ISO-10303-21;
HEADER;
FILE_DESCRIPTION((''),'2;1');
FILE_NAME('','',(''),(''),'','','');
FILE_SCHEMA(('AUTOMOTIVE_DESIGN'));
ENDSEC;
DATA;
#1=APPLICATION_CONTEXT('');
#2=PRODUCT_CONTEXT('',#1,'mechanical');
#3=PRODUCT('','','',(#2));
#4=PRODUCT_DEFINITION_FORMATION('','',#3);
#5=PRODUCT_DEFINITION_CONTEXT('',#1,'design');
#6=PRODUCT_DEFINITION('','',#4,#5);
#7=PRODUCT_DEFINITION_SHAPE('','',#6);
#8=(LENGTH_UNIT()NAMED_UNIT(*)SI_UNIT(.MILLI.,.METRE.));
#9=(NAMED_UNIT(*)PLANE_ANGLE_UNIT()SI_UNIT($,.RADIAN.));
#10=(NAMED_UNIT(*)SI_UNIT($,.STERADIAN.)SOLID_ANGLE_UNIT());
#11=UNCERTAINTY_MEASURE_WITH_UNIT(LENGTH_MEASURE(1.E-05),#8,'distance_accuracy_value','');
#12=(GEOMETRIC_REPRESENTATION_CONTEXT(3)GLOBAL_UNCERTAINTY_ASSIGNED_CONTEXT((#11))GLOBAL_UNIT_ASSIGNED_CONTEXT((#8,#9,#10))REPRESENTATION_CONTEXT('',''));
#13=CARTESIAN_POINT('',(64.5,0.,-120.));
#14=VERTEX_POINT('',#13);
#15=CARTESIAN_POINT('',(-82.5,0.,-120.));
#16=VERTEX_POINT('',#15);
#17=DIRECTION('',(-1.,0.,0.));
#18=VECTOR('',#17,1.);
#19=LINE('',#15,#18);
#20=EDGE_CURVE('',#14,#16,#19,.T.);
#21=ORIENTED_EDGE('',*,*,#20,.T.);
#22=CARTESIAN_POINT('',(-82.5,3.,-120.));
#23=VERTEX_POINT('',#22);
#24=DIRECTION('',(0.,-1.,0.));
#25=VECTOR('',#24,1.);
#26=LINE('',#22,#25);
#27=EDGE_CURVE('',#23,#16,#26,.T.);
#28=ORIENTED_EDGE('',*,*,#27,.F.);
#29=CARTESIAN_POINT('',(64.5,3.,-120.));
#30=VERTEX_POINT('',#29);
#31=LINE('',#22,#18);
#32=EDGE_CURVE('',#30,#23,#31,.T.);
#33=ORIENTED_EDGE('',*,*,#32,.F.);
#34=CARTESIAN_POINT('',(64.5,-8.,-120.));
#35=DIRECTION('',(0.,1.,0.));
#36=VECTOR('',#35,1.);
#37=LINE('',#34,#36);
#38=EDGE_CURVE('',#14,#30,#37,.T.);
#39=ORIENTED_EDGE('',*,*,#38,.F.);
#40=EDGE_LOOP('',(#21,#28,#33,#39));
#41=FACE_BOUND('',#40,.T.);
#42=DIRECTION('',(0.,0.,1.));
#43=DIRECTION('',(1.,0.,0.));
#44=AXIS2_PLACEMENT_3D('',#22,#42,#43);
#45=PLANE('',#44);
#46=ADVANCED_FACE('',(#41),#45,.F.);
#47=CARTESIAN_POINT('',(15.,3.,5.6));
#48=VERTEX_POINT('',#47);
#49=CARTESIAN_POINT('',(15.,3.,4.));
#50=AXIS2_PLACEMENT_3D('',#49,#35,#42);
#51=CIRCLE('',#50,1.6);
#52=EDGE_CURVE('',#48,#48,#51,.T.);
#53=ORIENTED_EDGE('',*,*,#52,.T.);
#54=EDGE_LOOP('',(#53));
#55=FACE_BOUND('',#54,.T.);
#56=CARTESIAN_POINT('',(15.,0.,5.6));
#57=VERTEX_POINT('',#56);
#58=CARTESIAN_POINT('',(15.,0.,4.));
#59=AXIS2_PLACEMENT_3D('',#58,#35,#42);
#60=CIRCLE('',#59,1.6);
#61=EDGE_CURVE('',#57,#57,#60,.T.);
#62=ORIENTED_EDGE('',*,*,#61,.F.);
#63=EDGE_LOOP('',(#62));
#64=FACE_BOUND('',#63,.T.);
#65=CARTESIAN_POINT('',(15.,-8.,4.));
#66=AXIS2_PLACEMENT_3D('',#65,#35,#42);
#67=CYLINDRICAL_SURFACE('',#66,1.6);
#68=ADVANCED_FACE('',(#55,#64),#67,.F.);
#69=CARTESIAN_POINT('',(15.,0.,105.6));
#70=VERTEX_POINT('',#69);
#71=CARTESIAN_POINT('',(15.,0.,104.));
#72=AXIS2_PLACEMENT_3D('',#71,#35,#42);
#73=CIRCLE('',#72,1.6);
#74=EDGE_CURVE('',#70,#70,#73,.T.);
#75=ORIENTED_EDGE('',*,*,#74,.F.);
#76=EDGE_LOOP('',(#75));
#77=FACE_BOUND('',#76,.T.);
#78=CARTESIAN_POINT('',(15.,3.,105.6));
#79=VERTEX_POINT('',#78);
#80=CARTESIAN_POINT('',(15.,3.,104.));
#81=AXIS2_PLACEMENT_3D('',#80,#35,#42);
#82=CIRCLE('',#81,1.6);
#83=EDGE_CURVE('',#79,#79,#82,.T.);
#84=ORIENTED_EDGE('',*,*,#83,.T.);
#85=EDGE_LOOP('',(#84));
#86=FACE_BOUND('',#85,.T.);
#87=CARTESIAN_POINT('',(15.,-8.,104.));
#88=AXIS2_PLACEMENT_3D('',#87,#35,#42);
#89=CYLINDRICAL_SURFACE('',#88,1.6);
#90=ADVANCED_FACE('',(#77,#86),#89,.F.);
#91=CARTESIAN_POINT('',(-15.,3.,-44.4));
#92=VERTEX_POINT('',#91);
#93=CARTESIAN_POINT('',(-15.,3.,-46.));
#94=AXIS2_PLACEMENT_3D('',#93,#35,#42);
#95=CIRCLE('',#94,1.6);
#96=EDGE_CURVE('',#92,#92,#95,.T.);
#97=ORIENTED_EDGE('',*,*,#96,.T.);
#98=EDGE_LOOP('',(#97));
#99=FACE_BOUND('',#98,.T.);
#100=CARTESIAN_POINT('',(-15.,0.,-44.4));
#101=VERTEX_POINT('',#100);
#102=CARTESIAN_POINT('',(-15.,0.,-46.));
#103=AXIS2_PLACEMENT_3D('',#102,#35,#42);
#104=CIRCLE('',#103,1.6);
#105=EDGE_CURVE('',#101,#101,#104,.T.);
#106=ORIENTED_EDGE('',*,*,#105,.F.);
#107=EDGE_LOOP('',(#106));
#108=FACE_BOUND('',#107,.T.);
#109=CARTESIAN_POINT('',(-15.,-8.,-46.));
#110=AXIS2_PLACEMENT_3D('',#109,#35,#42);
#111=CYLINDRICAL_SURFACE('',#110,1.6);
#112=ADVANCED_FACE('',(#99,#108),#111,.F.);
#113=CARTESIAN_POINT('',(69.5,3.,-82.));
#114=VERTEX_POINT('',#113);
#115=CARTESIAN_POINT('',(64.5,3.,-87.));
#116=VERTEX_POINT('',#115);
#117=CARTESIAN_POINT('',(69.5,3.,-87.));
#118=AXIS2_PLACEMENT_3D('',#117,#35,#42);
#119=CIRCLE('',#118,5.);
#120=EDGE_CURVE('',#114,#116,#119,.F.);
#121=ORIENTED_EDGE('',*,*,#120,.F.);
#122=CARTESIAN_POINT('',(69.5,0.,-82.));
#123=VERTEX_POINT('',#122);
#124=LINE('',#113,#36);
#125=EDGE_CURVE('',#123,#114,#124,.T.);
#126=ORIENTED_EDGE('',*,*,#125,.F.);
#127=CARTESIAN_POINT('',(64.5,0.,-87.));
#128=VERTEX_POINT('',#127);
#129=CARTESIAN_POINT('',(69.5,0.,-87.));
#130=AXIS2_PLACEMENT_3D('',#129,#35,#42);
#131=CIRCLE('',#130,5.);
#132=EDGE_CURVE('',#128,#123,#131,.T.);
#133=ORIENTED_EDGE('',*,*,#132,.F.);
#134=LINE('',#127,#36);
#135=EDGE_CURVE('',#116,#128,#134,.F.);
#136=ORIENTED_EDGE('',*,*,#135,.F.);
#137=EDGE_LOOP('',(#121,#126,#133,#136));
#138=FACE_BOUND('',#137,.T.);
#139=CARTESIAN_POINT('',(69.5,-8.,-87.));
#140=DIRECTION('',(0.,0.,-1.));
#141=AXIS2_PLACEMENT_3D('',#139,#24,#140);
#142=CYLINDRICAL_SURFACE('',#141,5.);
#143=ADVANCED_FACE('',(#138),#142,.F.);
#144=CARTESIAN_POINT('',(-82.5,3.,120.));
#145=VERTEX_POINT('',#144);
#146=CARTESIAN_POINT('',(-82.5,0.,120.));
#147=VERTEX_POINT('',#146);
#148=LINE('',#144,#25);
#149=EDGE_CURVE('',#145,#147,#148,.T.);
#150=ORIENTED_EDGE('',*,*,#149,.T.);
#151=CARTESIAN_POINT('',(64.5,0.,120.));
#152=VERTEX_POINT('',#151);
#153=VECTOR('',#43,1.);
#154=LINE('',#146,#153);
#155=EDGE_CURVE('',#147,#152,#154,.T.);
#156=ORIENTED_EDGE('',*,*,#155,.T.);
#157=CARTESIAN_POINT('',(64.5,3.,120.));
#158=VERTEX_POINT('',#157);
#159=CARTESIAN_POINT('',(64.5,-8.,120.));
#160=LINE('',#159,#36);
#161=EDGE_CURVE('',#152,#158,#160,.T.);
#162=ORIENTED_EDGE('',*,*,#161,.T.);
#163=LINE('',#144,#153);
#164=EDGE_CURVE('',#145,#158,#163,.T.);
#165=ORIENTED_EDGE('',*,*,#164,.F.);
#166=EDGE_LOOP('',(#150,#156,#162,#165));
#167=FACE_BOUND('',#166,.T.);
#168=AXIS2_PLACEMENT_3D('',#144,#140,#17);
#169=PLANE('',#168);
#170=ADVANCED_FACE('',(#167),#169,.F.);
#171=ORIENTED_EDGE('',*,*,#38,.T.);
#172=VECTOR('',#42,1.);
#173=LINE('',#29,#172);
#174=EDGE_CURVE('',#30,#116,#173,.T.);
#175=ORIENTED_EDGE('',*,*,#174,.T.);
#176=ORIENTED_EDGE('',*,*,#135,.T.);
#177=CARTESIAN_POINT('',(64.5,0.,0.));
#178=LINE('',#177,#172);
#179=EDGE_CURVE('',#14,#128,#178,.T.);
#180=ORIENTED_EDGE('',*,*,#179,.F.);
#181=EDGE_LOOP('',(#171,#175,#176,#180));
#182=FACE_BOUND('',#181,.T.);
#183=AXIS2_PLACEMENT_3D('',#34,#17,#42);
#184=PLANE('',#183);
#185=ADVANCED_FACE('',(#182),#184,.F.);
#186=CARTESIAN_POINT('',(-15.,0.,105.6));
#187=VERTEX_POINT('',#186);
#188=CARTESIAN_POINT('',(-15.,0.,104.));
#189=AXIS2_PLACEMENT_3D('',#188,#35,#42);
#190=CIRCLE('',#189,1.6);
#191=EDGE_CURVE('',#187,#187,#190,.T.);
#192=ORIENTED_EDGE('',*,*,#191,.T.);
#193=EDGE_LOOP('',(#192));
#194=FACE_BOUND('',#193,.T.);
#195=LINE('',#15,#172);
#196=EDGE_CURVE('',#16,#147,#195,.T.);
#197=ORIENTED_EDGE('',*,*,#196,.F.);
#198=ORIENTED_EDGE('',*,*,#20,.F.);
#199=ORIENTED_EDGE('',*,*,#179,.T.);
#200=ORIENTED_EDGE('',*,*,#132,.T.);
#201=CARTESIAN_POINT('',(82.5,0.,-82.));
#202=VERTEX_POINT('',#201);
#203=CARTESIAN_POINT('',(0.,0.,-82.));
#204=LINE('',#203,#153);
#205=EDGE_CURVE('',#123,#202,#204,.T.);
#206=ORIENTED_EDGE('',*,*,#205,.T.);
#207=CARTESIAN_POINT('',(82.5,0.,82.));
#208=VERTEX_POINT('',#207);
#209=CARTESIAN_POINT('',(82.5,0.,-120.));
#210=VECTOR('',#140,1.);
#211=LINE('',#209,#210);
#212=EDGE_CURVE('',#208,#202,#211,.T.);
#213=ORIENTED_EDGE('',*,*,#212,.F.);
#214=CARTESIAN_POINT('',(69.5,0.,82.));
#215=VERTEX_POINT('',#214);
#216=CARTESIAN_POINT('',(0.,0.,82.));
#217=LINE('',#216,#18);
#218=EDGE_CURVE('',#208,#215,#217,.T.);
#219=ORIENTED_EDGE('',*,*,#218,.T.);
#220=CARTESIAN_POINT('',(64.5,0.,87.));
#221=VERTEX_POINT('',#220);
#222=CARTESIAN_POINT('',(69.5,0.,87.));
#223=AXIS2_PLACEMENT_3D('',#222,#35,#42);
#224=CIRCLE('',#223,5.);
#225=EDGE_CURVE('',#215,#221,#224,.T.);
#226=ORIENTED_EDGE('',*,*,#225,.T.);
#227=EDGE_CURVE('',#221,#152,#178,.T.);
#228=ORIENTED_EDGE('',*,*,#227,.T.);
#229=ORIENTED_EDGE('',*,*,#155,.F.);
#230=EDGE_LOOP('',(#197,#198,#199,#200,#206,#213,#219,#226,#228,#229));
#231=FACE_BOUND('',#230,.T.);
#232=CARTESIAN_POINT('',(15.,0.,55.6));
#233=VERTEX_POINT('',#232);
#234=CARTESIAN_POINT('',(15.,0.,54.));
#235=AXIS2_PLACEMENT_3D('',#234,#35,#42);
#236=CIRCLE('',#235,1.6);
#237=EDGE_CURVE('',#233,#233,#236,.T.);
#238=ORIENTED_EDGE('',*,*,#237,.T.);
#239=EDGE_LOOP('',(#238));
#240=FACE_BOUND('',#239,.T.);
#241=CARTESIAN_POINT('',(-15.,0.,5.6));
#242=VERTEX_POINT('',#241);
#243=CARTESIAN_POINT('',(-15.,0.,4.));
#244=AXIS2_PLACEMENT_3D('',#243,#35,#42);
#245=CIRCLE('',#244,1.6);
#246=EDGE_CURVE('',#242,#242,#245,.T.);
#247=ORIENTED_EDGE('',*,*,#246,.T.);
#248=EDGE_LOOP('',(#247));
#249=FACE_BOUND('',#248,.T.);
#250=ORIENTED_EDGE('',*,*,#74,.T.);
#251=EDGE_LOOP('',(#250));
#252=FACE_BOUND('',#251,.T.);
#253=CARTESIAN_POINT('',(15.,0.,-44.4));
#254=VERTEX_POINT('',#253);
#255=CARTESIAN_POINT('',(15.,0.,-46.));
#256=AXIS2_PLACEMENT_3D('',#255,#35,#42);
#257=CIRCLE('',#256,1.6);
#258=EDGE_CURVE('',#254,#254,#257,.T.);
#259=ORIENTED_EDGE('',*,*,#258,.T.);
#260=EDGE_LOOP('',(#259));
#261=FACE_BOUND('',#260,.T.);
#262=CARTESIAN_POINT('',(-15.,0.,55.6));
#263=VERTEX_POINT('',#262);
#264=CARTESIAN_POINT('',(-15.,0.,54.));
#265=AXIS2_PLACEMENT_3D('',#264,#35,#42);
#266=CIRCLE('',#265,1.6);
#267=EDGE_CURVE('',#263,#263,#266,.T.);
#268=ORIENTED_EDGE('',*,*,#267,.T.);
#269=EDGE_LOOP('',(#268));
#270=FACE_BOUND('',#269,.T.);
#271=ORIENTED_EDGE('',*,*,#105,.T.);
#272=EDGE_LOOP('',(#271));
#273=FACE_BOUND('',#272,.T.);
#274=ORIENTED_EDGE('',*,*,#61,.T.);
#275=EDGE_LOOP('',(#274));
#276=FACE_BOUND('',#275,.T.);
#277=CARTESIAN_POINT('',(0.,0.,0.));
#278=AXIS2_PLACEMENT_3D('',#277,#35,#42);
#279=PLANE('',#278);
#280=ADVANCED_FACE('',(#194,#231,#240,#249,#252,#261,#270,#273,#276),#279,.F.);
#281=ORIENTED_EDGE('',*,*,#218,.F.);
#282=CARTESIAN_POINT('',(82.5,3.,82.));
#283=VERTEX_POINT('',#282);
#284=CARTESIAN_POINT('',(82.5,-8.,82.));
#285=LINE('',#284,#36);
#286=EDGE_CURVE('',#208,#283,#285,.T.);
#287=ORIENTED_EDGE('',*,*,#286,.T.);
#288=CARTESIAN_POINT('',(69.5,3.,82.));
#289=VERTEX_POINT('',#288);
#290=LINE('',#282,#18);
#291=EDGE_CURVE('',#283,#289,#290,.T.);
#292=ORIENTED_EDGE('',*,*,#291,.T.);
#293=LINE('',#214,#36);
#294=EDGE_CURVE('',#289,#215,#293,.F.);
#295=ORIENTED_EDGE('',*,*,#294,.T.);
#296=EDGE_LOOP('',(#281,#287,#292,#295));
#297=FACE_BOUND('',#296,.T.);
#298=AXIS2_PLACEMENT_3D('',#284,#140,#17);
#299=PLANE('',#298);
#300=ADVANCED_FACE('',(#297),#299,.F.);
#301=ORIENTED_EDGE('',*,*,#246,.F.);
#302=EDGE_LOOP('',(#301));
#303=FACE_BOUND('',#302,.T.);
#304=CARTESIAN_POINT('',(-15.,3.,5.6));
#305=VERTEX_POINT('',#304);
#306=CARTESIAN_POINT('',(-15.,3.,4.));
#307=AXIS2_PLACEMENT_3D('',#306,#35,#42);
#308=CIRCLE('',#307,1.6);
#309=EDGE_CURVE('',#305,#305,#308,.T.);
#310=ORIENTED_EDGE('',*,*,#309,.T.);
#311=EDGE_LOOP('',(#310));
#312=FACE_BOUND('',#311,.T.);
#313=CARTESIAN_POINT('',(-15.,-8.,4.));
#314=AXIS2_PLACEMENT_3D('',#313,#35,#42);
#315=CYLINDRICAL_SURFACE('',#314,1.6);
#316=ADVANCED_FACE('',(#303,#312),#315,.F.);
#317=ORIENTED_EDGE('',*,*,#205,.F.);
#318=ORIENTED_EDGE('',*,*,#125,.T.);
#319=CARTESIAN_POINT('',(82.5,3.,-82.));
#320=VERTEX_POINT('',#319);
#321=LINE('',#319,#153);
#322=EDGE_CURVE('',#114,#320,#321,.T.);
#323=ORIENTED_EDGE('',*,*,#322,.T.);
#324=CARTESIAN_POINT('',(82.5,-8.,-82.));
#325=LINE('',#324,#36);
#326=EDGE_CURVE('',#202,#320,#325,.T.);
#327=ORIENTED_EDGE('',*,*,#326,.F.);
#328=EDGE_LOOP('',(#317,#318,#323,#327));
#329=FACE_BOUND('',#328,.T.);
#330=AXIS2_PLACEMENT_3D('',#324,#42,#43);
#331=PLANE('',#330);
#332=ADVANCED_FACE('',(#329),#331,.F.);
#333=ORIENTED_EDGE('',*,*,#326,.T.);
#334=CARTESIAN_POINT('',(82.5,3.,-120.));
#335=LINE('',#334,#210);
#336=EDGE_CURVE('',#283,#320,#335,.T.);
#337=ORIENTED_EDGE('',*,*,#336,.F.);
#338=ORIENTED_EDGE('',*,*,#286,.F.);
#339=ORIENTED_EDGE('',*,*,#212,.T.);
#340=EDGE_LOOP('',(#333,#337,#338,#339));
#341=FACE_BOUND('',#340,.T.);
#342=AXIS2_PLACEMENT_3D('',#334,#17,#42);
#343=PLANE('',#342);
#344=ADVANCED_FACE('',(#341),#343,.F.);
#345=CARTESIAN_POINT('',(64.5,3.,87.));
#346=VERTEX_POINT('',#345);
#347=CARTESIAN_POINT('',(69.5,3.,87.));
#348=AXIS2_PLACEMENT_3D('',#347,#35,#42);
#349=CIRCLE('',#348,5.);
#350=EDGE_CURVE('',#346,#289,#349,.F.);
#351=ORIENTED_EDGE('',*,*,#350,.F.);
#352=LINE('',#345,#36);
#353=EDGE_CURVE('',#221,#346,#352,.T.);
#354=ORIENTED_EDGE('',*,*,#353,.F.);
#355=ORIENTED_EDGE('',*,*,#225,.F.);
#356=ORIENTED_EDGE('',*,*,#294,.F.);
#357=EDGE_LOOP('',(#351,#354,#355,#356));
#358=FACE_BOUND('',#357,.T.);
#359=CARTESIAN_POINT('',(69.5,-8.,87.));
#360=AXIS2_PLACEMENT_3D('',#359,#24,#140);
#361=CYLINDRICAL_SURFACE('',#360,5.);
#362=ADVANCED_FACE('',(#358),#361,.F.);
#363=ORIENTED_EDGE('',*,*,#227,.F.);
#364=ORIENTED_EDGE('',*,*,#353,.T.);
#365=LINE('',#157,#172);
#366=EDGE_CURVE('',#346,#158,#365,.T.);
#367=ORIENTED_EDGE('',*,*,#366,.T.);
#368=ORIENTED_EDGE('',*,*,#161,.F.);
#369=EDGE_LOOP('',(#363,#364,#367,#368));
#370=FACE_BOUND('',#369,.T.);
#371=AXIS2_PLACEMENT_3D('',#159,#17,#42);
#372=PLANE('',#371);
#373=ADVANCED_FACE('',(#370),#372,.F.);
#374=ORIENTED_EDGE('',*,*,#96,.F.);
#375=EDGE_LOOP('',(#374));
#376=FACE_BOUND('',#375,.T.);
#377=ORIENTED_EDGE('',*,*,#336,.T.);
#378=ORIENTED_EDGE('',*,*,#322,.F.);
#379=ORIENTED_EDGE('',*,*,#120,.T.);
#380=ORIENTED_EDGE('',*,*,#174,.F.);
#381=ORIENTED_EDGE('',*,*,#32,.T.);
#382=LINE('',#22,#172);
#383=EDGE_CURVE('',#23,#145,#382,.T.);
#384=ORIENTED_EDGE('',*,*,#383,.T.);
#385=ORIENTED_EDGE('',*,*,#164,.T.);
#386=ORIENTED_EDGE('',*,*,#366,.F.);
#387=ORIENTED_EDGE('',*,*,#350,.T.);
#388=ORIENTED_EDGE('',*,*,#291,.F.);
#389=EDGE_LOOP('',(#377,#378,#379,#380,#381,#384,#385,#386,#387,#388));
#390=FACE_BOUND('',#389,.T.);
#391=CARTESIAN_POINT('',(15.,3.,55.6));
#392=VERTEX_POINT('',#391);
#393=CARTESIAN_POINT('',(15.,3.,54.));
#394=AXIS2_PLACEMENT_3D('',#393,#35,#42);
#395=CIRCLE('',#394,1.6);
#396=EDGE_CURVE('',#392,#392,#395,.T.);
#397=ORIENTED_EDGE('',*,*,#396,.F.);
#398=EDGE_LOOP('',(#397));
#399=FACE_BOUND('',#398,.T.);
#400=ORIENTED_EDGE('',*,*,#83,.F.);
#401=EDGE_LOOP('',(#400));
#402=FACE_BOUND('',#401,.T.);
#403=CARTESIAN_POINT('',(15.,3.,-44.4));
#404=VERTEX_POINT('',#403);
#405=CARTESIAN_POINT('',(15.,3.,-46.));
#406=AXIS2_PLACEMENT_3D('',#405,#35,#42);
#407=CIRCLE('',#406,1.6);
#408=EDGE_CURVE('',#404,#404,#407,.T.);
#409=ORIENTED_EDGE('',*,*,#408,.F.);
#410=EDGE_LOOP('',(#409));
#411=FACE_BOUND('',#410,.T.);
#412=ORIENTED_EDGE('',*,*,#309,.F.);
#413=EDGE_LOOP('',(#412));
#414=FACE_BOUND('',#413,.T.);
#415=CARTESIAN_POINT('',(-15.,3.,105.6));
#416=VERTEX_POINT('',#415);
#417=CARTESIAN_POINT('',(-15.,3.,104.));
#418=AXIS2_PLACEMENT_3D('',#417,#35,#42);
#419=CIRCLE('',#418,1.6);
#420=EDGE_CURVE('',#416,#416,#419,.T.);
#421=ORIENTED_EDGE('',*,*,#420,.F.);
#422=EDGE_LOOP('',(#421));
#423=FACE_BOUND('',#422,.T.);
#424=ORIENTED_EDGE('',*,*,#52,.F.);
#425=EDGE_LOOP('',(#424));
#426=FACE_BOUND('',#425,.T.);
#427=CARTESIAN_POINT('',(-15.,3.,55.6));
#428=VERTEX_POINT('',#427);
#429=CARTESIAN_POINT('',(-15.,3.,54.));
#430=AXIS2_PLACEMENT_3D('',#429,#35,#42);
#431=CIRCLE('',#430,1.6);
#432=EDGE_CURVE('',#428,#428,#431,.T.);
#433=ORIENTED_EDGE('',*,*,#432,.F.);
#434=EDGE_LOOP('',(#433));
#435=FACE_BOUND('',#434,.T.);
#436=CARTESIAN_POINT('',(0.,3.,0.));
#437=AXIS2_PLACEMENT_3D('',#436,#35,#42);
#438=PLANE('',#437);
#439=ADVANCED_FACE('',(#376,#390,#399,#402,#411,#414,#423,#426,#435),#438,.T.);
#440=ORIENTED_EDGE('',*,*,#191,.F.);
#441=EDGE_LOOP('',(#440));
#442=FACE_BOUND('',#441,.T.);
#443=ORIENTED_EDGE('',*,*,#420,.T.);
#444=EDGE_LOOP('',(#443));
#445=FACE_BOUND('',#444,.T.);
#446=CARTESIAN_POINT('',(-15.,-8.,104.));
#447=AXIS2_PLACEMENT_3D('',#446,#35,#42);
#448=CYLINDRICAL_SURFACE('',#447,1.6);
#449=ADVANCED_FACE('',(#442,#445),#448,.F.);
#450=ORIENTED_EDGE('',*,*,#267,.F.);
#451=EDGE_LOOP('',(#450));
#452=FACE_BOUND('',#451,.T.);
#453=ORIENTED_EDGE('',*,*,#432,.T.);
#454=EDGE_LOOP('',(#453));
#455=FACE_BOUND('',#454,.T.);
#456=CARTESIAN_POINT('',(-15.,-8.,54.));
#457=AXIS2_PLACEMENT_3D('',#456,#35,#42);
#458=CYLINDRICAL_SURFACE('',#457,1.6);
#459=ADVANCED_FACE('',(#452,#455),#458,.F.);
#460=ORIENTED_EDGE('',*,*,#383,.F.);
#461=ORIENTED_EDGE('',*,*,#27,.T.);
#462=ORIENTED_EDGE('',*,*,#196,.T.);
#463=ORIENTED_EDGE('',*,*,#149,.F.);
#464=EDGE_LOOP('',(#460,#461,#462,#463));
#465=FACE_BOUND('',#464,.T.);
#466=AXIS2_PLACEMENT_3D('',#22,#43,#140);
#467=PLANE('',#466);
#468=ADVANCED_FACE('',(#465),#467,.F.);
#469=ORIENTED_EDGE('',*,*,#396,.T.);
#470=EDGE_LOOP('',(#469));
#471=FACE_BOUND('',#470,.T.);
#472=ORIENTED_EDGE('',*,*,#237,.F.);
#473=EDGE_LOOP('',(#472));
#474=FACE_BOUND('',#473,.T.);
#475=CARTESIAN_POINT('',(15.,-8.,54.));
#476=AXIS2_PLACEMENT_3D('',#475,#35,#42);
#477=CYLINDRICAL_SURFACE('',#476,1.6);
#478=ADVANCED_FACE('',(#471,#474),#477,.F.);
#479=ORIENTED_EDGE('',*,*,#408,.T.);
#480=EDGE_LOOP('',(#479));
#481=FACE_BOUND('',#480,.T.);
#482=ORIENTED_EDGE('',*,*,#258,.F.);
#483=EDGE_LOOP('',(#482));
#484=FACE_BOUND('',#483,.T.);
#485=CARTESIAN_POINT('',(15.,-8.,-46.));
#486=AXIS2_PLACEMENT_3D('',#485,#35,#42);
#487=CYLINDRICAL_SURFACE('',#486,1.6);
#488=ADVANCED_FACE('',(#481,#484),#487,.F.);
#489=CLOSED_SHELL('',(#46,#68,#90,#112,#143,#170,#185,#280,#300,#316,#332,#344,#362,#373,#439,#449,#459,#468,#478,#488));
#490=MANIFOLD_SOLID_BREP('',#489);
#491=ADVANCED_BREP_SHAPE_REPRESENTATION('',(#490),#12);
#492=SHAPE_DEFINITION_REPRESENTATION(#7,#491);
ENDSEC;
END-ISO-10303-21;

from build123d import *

# Parameters (mm, degrees)
SKETCH1_W           = 165
SKETCH1_H           = 240
BOSS_EXTRUDE1_DEPTH = 3
SKETCH3_R           = 1.6
CUT_EXTRUDE2_DEPTH  = 11
SKETCH2_W           = 18
SKETCH2_H           = 38
CUT_EXTRUDE1_DEPTH  = 11
FILLET1_R           = 5


with BuildPart() as part:
    # Sketch1 → Boss-Extrude1 (new body)
    with BuildSketch(Plane(origin=(0, 0, 0), x_dir=(1, 0, 0), z_dir=(0, 1, 0))):
        Rectangle(SKETCH1_W, SKETCH1_H)
    extrude(amount=BOSS_EXTRUDE1_DEPTH)

    # Sketch3 → Cut-Extrude2 (cut)
    with BuildSketch(Plane(origin=(0, 3, 0), x_dir=(1, 0, 0), z_dir=(0, 1, 0))):
        with Locations((15, 46)):
            Circle(SKETCH3_R)
        with Locations((-15, 46)):
            Circle(SKETCH3_R)
        with Locations((15, -4)):
            Circle(SKETCH3_R)
        with Locations((-15, -4)):
            Circle(SKETCH3_R)
        with Locations((15, -54)):
            Circle(SKETCH3_R)
        with Locations((-15, -54)):
            Circle(SKETCH3_R)
        with Locations((15, -104)):
            Circle(SKETCH3_R)
        with Locations((-15, -104)):
            Circle(SKETCH3_R)
    extrude(amount=-CUT_EXTRUDE2_DEPTH, mode=Mode.SUBTRACT)

    # Sketch2 → Cut-Extrude1 (cut)
    with BuildSketch(Plane(origin=(0, 3, 0), x_dir=(1, 0, 0), z_dir=(0, 1, 0))):
        with Locations((73.5, 101)):
            Rectangle(SKETCH2_W, SKETCH2_H)
        with Locations((73.5, -101)):
            Rectangle(SKETCH2_W, SKETCH2_H)
    extrude(amount=-CUT_EXTRUDE1_DEPTH, mode=Mode.SUBTRACT)

    # Fillet1
    fillet1_edges = [part.edges().sort_by_distance(p)[0] for p in [
        (64.5, 1.5, -82),
        (64.5, 1.5, 82),
    ]]
    fillet(fillet1_edges, radius=FILLET1_R)


solid = part.part
